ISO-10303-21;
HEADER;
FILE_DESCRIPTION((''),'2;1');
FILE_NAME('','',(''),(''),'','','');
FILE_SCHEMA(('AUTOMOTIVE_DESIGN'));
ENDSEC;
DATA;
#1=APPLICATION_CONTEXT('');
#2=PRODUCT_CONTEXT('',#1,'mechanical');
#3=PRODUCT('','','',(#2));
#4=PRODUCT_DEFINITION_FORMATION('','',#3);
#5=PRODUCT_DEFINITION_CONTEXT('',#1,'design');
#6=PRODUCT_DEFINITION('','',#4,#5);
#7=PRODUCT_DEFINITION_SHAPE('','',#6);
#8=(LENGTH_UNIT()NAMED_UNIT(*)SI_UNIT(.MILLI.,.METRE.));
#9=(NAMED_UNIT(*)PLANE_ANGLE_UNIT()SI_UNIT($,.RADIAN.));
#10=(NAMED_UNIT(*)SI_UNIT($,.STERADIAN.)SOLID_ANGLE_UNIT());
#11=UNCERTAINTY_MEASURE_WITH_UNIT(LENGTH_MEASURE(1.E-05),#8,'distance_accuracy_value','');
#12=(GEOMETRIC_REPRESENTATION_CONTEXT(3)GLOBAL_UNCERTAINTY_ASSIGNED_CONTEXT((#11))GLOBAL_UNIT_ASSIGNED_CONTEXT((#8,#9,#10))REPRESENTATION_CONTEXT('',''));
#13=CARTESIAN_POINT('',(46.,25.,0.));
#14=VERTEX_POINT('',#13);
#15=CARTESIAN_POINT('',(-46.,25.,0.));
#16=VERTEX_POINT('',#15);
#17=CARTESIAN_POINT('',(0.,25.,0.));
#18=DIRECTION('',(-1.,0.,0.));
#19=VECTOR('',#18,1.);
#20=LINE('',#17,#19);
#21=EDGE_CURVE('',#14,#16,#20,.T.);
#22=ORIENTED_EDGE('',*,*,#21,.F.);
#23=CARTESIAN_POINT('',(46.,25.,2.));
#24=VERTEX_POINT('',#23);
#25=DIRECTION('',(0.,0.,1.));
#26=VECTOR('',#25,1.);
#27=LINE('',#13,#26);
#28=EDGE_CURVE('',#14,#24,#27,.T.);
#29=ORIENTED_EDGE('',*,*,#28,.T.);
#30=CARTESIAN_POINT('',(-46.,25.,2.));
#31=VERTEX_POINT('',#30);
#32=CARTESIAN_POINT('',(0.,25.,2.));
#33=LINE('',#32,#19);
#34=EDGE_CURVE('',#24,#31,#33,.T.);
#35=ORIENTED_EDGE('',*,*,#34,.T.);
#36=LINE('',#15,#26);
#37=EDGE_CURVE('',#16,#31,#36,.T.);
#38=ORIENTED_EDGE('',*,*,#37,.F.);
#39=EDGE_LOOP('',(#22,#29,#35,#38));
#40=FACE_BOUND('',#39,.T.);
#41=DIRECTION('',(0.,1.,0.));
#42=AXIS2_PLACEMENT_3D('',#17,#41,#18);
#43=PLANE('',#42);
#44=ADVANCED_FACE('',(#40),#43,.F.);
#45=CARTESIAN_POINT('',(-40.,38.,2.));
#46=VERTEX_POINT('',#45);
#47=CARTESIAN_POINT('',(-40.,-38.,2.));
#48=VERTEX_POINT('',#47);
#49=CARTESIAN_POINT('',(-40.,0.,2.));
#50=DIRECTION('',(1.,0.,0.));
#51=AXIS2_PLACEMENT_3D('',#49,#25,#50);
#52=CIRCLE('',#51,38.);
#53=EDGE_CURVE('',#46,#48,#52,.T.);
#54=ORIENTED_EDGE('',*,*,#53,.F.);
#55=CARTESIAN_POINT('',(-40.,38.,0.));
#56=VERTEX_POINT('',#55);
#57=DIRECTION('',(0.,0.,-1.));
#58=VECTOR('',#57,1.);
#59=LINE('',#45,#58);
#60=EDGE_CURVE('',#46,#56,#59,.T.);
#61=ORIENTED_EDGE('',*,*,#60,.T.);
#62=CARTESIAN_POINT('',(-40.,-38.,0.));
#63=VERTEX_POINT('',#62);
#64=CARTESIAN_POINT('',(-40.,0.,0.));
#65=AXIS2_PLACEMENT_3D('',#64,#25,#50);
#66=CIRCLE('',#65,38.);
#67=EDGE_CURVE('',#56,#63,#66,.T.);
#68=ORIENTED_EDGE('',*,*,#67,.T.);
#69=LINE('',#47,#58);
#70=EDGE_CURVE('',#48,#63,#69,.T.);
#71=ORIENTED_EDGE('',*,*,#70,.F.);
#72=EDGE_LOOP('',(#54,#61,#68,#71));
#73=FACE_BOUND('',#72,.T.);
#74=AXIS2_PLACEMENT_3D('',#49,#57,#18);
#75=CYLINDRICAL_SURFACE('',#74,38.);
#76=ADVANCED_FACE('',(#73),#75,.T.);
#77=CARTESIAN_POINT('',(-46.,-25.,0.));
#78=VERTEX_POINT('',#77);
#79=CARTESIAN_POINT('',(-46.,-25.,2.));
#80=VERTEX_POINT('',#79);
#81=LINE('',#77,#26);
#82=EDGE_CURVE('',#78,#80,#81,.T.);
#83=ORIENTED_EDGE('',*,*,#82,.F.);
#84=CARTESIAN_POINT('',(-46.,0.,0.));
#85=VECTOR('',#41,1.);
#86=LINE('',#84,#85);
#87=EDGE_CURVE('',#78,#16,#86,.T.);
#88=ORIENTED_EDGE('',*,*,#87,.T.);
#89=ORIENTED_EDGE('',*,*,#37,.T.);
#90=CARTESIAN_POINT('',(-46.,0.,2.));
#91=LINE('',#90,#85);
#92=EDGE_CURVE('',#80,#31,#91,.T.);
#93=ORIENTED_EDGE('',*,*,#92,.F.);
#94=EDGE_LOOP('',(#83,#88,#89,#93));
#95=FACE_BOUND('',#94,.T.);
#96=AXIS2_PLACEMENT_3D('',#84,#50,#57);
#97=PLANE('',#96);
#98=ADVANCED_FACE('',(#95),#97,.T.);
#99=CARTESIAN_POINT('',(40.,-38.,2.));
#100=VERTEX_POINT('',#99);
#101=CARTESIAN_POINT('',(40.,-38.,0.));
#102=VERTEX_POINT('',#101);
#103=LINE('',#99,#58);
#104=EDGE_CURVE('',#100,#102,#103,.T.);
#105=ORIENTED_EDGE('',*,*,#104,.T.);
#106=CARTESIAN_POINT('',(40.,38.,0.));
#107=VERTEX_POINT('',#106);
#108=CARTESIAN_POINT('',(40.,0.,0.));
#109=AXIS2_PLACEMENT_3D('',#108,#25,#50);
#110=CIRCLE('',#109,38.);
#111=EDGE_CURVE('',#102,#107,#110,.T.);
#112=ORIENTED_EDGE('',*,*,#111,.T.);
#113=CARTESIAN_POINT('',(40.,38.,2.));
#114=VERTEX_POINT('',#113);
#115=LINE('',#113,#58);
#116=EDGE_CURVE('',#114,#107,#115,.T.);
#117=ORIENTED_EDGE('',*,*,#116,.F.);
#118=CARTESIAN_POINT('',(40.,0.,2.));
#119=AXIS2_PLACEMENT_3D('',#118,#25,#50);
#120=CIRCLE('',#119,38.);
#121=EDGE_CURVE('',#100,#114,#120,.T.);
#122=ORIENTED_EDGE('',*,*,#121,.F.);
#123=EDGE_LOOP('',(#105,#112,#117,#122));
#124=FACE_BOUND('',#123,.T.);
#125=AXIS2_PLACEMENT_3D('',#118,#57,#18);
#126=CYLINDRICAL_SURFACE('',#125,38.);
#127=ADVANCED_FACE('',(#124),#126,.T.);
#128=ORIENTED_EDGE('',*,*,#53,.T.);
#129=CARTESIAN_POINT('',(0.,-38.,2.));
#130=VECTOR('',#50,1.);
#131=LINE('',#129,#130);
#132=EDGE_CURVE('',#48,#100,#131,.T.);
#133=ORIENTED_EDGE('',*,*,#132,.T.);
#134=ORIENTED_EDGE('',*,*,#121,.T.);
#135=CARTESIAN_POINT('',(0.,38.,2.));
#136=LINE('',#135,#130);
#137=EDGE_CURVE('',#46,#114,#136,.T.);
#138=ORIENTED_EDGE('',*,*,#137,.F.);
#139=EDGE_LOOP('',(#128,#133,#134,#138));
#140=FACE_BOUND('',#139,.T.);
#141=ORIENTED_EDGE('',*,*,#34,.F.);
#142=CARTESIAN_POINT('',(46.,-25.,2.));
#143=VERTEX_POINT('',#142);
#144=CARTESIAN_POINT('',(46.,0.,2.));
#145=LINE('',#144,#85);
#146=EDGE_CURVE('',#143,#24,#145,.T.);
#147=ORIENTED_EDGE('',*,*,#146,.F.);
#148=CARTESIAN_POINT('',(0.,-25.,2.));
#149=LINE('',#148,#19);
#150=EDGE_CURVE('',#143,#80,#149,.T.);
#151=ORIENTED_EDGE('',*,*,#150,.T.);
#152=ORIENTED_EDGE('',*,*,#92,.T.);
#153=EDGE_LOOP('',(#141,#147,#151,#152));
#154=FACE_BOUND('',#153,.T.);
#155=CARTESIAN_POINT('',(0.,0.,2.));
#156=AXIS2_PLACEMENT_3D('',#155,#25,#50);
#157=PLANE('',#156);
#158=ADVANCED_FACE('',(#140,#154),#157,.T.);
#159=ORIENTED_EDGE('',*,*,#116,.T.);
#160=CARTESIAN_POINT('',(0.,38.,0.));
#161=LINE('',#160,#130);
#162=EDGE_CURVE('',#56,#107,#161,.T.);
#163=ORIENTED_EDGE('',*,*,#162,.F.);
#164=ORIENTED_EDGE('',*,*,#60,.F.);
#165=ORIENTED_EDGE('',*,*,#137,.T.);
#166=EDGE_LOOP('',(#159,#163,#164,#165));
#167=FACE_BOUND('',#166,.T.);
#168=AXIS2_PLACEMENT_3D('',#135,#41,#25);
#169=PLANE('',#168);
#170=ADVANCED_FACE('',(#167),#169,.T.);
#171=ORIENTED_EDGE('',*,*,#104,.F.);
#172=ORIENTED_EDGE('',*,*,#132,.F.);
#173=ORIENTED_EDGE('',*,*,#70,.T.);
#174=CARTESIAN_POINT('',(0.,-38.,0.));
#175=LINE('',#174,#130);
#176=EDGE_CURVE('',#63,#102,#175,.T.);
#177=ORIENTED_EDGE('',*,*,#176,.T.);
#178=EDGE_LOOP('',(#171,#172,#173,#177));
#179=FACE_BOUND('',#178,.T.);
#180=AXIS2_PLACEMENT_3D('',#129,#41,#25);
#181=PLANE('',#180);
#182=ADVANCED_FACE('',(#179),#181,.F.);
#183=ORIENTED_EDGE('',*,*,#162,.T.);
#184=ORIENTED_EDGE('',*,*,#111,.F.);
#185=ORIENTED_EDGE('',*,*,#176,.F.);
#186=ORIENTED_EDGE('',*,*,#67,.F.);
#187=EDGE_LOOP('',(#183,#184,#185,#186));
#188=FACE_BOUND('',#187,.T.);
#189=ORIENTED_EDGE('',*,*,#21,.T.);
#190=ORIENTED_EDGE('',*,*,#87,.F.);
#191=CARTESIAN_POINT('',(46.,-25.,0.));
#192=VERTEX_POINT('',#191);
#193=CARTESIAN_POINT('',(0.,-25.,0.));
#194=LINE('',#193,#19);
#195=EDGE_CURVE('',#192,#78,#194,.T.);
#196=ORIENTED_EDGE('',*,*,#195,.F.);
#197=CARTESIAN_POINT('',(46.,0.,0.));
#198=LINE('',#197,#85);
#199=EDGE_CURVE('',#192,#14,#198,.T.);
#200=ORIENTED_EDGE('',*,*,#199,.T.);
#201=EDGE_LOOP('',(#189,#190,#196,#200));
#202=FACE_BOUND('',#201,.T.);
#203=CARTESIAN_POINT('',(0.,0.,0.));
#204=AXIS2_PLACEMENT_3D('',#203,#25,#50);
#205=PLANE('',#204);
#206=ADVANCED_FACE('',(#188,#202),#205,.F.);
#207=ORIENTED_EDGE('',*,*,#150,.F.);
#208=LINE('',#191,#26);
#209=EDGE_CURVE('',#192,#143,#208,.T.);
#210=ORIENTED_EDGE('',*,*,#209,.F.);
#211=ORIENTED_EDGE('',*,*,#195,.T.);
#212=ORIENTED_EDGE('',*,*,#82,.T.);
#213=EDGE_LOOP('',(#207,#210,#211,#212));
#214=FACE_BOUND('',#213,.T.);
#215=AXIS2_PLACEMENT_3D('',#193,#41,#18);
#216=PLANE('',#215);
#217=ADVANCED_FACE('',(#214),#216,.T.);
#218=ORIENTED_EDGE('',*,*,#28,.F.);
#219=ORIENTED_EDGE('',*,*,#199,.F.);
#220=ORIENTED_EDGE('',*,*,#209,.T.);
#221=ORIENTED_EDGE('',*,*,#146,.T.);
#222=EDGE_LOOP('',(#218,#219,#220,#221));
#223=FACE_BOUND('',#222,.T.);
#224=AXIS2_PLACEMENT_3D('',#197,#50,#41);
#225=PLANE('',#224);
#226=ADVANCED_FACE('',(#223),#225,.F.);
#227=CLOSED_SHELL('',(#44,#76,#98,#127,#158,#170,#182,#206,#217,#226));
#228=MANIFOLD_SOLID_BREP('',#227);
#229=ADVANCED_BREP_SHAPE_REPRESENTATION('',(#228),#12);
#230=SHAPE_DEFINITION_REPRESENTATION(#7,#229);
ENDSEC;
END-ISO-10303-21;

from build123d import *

# Parameters (mm, degrees)
EXTRUDE_1_DEPTH     = 2
SKETCH_2_W          = 92
SKETCH_2_H          = 50
CUT_EXTRUDE_1_DEPTH = 87.787095815


with BuildPart() as part:
    # Эскиз1 → Бобышка-Вытянуть1 (new body)
    with BuildSketch(Plane.XY):
        with BuildLine():
            Line((-40, 38), (40, 38))
            ThreePointArc((40, 38), (78, 0), (40, -38))
            Line((40, -38), (-40, -38))
            ThreePointArc((-40, -38), (-78, 0), (-40, 38))
        make_face()
    extrude(amount=EXTRUDE_1_DEPTH)

    # Эскиз2 → Вырез-Вытянуть1 (cut, through all)
    with BuildSketch(Plane.XY.offset(2)):
        Rectangle(SKETCH_2_W, SKETCH_2_H)
    extrude(amount=-CUT_EXTRUDE_1_DEPTH, mode=Mode.SUBTRACT)


solid = part.part
